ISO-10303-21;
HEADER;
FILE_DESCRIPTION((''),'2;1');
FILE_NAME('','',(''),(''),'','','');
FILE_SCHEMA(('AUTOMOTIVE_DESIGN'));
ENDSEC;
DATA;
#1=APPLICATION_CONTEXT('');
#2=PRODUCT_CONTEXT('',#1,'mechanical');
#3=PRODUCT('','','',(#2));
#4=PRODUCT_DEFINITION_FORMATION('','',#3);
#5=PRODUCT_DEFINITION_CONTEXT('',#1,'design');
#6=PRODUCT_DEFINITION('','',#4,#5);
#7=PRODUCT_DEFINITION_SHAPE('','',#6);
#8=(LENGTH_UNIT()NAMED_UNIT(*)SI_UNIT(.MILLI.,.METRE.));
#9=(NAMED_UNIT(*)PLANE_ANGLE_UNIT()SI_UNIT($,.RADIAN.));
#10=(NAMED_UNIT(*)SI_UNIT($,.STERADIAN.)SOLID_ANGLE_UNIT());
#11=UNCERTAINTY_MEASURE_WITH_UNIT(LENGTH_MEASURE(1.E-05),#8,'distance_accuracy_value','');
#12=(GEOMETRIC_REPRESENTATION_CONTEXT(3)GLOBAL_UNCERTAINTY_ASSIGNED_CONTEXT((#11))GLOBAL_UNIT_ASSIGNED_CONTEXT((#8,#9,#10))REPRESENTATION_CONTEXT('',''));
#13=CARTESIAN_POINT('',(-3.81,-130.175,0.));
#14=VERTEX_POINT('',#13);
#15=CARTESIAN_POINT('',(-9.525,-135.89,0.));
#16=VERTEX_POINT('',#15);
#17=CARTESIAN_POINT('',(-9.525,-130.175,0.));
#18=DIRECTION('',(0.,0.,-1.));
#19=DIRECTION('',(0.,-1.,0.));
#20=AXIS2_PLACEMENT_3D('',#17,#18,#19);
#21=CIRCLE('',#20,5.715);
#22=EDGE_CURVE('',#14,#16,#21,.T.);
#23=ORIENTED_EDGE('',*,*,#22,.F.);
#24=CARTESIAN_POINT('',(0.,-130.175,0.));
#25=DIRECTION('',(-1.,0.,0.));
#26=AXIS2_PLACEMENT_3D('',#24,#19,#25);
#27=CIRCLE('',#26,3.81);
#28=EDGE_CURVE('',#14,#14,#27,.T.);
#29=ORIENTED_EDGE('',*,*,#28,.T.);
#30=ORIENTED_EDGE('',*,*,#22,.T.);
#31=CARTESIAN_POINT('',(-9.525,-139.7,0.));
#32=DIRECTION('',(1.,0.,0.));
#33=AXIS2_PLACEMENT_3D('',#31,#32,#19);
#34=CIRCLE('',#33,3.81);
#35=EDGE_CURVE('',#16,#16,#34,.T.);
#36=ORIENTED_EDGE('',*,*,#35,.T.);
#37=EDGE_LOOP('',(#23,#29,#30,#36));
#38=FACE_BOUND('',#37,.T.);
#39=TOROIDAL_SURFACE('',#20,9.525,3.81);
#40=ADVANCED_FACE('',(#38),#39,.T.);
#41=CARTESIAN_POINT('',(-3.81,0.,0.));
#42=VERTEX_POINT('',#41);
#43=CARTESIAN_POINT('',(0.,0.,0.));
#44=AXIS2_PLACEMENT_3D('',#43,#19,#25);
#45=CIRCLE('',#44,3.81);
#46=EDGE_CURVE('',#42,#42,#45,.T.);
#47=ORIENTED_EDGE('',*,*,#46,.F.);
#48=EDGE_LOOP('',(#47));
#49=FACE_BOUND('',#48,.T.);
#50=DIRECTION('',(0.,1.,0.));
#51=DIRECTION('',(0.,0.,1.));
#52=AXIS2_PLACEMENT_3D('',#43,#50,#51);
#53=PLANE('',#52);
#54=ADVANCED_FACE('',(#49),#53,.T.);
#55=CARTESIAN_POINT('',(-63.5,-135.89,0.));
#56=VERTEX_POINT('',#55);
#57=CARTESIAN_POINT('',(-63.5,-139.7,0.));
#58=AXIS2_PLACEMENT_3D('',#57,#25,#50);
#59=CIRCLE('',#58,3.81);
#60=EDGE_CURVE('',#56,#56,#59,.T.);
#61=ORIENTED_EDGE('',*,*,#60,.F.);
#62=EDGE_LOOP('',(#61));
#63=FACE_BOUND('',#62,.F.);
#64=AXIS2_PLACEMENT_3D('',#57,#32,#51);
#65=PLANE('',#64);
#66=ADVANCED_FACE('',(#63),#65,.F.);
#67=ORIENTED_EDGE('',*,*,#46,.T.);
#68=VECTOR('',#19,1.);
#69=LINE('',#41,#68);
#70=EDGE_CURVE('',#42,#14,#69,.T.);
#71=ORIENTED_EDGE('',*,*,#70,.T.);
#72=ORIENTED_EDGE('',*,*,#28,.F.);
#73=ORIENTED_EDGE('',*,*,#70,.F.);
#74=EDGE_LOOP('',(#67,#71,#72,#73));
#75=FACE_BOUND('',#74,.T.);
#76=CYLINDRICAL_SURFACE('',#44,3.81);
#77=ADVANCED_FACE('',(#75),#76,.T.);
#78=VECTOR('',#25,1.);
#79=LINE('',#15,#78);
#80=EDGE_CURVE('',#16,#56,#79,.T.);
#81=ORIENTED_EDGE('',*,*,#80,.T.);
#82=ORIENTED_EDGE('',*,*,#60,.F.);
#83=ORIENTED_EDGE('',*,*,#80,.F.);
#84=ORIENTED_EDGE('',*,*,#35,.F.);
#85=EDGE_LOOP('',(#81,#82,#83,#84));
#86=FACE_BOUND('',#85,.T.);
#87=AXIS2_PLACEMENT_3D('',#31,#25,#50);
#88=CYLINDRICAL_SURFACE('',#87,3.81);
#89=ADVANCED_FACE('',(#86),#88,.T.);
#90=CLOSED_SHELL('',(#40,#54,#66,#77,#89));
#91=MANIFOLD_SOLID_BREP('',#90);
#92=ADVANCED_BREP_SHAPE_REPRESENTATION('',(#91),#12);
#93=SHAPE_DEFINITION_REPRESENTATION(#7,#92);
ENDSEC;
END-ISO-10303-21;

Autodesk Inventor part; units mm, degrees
ref_plane "YZ Plane" through (0, 0, 0) normal (1, 0, 0) x (0, 1, 0)
ref_plane "XZ Plane" through (0, 0, 0) normal (0, 1, 0) x (-1, 0, 0)
ref_plane "XY Plane" through (0, 0, 0) normal (0, 0, 1) x (1, 0, 0)
sketch "Sketch1" plane through (0, 0, 0) normal (0, 0, 1) x (1, 0, 0)
  line L0 (0, 0) -> (0, -130.175)
  line L1 (-9.525, -139.7) -> (-63.5, -139.7)
  arc A0 (-9.525, -139.7) -> (0, -130.175) centre (-9.525, -130.175) ccw
  dimension "d5" = 139.7
  dimension "d6" = 9.525
sketch "Sketch2" plane through (0, 0, 0) normal (0, 1, 0) x (-1, 0, 0)
  circle A0 centre (0, 0) radius 3.81
  dimension "d3" = 7.62
sweep "Sweep1" add profiles "Sketch2" path "Sketch1"
properties part number "Wheel Bar"
